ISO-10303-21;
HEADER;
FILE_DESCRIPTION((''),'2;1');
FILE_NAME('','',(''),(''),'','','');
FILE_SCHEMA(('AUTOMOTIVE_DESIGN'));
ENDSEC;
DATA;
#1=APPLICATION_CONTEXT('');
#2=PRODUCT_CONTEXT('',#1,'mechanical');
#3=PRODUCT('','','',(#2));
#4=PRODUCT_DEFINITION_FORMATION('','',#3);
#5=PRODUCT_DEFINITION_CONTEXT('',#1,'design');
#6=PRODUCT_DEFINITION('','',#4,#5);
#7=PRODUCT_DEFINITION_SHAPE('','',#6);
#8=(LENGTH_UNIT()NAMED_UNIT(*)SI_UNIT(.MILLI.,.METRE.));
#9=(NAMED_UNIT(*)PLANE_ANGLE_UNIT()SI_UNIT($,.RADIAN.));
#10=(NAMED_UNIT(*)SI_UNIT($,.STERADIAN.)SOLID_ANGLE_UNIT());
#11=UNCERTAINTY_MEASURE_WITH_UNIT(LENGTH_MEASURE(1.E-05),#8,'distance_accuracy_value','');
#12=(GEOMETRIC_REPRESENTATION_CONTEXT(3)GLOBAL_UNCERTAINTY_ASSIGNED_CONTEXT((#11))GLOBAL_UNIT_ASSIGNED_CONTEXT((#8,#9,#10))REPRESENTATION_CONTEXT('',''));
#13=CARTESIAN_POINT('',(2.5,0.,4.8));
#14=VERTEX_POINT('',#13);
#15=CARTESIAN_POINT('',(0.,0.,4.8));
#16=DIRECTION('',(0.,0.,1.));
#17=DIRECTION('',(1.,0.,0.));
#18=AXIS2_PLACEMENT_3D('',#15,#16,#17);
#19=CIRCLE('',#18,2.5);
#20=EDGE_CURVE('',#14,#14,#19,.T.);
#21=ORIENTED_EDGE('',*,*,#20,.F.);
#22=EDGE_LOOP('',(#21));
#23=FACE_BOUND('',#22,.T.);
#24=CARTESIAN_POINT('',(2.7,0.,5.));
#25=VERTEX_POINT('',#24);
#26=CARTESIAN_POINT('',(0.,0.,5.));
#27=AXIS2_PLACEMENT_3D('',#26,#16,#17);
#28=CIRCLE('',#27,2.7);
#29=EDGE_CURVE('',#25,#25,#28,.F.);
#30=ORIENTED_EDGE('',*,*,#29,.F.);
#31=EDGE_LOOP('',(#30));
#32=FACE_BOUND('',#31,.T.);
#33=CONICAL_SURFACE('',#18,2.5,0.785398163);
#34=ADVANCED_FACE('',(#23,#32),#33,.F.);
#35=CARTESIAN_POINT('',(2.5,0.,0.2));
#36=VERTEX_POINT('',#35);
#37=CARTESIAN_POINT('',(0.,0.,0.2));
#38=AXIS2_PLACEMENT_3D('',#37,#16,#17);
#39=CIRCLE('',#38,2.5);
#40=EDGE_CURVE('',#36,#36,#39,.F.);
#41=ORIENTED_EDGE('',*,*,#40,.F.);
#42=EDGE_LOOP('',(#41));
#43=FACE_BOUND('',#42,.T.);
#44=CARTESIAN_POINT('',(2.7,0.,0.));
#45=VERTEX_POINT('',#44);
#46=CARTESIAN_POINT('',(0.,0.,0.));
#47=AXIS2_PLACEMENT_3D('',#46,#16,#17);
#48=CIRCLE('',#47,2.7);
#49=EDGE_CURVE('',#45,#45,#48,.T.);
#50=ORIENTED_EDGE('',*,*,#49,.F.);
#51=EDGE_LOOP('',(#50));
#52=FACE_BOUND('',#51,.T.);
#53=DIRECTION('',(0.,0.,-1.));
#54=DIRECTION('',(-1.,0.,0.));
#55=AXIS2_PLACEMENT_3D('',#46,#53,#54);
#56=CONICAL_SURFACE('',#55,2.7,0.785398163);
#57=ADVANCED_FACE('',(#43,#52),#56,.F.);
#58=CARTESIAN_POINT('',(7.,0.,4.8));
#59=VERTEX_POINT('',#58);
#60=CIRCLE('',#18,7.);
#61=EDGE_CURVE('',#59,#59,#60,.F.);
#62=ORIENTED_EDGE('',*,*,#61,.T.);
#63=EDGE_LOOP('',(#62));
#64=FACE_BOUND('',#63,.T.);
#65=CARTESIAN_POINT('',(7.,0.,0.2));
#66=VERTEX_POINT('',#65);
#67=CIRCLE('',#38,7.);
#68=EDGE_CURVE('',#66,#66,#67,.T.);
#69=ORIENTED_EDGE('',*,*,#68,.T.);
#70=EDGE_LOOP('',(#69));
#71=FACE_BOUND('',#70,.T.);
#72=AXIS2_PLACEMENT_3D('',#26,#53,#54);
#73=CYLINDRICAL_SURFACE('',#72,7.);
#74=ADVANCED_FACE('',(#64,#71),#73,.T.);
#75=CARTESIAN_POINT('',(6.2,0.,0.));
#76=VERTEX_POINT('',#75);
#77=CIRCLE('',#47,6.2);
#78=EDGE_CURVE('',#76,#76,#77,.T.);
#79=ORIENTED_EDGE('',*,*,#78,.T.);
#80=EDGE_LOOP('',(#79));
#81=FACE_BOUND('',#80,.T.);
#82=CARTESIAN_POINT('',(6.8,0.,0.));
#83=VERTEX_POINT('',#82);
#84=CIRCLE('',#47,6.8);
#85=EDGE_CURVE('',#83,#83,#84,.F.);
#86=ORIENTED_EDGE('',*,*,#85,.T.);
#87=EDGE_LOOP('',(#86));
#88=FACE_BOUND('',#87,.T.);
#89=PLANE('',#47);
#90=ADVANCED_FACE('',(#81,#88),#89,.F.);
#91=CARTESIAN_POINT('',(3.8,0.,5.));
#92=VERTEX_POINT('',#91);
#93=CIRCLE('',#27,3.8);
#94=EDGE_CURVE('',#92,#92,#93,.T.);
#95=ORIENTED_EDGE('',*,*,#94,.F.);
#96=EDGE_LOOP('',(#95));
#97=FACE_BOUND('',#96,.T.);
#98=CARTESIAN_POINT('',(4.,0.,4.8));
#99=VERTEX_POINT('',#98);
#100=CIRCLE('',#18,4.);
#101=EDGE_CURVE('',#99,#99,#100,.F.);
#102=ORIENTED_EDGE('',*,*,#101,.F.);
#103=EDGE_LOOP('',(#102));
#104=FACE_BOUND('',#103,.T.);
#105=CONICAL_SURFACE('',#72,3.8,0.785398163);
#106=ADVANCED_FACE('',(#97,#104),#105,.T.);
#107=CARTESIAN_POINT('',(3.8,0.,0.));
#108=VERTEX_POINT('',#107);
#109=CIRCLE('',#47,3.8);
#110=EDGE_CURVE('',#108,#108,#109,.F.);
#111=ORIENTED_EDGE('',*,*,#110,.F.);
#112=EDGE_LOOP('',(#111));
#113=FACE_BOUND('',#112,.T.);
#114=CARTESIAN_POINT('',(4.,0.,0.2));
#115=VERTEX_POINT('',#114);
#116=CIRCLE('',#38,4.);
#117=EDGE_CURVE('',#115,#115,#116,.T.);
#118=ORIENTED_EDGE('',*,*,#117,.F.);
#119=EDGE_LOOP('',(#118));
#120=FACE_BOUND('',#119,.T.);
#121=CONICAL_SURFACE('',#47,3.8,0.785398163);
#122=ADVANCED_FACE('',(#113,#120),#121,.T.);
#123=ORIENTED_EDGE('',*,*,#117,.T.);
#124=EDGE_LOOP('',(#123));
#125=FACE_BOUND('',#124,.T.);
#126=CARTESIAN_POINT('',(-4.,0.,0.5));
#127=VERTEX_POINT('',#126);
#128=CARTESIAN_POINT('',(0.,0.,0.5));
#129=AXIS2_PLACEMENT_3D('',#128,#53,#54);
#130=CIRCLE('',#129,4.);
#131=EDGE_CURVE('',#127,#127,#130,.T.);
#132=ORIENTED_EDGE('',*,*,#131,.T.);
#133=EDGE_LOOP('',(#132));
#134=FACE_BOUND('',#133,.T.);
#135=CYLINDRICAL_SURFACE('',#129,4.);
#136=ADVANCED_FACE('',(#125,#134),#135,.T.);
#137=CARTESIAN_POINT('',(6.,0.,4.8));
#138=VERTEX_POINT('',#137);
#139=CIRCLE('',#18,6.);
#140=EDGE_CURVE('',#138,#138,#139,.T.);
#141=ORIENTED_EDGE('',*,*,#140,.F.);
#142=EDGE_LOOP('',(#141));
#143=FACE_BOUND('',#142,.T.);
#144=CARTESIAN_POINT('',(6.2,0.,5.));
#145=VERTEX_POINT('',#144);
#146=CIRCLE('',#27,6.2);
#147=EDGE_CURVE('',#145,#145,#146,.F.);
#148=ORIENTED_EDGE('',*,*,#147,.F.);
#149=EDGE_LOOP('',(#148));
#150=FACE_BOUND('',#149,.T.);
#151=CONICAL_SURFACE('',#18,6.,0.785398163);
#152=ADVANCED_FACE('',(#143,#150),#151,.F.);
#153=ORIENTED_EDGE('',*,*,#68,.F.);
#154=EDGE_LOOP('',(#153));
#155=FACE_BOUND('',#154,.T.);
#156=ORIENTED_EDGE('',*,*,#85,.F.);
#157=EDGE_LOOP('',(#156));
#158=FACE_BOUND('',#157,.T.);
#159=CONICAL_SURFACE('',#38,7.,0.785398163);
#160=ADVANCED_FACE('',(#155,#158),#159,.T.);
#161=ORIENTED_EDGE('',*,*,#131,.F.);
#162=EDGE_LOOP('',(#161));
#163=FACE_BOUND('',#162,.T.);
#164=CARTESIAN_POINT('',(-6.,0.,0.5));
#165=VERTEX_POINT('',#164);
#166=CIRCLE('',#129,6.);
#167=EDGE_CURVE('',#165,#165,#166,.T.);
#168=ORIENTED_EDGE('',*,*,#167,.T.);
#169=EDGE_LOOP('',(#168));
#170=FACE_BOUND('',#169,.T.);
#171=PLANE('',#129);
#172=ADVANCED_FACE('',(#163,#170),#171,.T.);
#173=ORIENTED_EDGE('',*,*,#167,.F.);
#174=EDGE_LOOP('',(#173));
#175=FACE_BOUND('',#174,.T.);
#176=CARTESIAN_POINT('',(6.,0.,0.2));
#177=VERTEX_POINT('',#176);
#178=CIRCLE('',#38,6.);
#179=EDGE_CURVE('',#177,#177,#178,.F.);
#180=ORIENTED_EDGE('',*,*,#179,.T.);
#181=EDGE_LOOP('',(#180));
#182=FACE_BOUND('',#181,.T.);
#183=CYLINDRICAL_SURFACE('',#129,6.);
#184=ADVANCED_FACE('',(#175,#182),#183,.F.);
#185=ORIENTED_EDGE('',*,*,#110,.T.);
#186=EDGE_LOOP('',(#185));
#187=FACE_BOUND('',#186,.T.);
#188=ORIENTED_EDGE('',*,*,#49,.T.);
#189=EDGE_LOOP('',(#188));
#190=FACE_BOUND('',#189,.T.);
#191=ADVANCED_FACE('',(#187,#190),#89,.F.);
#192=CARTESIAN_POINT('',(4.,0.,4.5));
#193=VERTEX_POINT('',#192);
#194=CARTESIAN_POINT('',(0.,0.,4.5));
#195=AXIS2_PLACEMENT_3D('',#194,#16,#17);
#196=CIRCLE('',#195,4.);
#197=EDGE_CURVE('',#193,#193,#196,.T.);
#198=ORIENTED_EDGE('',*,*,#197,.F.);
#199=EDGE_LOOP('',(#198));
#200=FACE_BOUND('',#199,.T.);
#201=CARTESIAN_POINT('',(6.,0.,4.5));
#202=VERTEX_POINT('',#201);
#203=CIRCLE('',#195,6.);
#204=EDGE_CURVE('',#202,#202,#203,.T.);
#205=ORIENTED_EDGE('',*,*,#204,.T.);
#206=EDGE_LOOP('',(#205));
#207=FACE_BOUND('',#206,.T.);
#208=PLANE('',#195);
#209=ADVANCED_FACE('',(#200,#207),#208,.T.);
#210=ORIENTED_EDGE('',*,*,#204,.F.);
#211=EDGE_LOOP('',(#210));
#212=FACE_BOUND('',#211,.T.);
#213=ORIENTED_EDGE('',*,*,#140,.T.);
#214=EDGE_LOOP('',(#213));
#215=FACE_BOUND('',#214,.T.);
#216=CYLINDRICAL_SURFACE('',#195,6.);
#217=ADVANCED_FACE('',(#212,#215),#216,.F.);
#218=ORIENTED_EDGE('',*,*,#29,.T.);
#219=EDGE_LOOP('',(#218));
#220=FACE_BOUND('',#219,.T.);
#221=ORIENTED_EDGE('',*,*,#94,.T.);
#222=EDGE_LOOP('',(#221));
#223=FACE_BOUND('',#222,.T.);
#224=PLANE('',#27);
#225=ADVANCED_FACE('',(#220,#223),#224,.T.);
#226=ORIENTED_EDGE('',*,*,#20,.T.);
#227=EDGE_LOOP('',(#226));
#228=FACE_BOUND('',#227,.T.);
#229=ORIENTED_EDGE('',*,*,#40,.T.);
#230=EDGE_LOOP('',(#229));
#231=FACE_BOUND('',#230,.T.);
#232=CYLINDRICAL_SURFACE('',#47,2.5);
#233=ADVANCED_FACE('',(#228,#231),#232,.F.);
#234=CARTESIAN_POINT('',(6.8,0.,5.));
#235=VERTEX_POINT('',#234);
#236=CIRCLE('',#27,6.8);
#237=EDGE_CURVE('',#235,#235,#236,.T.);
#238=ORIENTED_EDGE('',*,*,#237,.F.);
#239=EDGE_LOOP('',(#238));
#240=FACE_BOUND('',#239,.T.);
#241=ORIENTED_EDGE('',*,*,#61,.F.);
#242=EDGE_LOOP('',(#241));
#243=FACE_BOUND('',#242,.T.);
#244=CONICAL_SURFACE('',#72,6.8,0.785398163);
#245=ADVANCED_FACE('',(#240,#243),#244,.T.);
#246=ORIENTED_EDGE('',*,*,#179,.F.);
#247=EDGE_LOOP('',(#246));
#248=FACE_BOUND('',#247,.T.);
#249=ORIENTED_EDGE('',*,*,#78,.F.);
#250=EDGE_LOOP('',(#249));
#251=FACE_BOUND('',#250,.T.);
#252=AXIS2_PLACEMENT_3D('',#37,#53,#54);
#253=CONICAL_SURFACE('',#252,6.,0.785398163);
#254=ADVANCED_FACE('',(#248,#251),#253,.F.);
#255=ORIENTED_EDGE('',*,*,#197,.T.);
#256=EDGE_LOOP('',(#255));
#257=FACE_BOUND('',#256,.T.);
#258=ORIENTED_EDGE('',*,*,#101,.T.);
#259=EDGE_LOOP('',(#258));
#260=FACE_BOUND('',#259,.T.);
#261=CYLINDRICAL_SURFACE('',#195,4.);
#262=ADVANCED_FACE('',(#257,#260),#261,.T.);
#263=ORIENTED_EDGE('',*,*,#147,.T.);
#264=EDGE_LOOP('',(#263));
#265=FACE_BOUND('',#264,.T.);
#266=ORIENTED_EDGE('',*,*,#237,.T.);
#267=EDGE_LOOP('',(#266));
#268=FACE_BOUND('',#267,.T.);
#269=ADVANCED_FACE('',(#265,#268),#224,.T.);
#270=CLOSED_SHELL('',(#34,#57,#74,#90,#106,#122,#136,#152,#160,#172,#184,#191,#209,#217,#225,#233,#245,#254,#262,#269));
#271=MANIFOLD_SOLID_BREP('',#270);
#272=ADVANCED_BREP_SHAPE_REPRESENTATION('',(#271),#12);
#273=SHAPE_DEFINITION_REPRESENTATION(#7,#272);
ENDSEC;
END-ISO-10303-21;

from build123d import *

# Parameters (mm, degrees)
CROQUIS1_R              = 7
SALIENTE_EXTRUIR1_DEPTH = 5
CROQUIS2_R              = 2.5
CORTAR_EXTRUIR1_DEPTH   = 5
CROQUIS3_R              = 6
CROQUIS3_R_2            = 4
CORTAR_EXTRUIR3_DEPTH   = 0.5
CROQUIS4_R              = 6
CROQUIS4_R_2            = 4
CORTAR_EXTRUIR4_DEPTH   = 0.5
CHAFL_N1_SIZE           = 0.2


with BuildPart() as part:
    # Croquis1 → Saliente-Extruir1 (new body)
    with BuildSketch(Plane.XY):
        Circle(CROQUIS1_R)
    extrude(amount=SALIENTE_EXTRUIR1_DEPTH)

    # Croquis2 → Cortar-Extruir1 (cut)
    with BuildSketch(Plane.XY.offset(5)):
        Circle(CROQUIS2_R)
    extrude(amount=-CORTAR_EXTRUIR1_DEPTH, mode=Mode.SUBTRACT)

    # Croquis3 → Cortar-Extruir3 (cut)
    with BuildSketch(Plane.XY.offset(5)):
        Circle(CROQUIS3_R)
        Circle(CROQUIS3_R_2, mode=Mode.SUBTRACT)
    extrude(amount=-CORTAR_EXTRUIR3_DEPTH, mode=Mode.SUBTRACT)

    # Croquis4 → Cortar-Extruir4 (cut)
    with BuildSketch(Plane(origin=(0, 0, 0), x_dir=(-1, 0, 0), z_dir=(0, 0, -1))):
        Circle(CROQUIS4_R)
        Circle(CROQUIS4_R_2, mode=Mode.SUBTRACT)
    extrude(amount=-CORTAR_EXTRUIR4_DEPTH, mode=Mode.SUBTRACT)

    # Chaflán1
    chafl_n1_edges = [part.edges().sort_by_distance(p)[0] for p in [
        (-6, 0, 5),
        (-4, 0, 5),
        (-7, 0, 0),
        (6, 0, 0),
        (4, 0, 0),
        (-7, 0, 5),
        (-2.5, 0, 0),
        (-2.5, 0, 5),
    ]]
    chamfer(chafl_n1_edges, length=CHAFL_N1_SIZE)


solid = part.part
